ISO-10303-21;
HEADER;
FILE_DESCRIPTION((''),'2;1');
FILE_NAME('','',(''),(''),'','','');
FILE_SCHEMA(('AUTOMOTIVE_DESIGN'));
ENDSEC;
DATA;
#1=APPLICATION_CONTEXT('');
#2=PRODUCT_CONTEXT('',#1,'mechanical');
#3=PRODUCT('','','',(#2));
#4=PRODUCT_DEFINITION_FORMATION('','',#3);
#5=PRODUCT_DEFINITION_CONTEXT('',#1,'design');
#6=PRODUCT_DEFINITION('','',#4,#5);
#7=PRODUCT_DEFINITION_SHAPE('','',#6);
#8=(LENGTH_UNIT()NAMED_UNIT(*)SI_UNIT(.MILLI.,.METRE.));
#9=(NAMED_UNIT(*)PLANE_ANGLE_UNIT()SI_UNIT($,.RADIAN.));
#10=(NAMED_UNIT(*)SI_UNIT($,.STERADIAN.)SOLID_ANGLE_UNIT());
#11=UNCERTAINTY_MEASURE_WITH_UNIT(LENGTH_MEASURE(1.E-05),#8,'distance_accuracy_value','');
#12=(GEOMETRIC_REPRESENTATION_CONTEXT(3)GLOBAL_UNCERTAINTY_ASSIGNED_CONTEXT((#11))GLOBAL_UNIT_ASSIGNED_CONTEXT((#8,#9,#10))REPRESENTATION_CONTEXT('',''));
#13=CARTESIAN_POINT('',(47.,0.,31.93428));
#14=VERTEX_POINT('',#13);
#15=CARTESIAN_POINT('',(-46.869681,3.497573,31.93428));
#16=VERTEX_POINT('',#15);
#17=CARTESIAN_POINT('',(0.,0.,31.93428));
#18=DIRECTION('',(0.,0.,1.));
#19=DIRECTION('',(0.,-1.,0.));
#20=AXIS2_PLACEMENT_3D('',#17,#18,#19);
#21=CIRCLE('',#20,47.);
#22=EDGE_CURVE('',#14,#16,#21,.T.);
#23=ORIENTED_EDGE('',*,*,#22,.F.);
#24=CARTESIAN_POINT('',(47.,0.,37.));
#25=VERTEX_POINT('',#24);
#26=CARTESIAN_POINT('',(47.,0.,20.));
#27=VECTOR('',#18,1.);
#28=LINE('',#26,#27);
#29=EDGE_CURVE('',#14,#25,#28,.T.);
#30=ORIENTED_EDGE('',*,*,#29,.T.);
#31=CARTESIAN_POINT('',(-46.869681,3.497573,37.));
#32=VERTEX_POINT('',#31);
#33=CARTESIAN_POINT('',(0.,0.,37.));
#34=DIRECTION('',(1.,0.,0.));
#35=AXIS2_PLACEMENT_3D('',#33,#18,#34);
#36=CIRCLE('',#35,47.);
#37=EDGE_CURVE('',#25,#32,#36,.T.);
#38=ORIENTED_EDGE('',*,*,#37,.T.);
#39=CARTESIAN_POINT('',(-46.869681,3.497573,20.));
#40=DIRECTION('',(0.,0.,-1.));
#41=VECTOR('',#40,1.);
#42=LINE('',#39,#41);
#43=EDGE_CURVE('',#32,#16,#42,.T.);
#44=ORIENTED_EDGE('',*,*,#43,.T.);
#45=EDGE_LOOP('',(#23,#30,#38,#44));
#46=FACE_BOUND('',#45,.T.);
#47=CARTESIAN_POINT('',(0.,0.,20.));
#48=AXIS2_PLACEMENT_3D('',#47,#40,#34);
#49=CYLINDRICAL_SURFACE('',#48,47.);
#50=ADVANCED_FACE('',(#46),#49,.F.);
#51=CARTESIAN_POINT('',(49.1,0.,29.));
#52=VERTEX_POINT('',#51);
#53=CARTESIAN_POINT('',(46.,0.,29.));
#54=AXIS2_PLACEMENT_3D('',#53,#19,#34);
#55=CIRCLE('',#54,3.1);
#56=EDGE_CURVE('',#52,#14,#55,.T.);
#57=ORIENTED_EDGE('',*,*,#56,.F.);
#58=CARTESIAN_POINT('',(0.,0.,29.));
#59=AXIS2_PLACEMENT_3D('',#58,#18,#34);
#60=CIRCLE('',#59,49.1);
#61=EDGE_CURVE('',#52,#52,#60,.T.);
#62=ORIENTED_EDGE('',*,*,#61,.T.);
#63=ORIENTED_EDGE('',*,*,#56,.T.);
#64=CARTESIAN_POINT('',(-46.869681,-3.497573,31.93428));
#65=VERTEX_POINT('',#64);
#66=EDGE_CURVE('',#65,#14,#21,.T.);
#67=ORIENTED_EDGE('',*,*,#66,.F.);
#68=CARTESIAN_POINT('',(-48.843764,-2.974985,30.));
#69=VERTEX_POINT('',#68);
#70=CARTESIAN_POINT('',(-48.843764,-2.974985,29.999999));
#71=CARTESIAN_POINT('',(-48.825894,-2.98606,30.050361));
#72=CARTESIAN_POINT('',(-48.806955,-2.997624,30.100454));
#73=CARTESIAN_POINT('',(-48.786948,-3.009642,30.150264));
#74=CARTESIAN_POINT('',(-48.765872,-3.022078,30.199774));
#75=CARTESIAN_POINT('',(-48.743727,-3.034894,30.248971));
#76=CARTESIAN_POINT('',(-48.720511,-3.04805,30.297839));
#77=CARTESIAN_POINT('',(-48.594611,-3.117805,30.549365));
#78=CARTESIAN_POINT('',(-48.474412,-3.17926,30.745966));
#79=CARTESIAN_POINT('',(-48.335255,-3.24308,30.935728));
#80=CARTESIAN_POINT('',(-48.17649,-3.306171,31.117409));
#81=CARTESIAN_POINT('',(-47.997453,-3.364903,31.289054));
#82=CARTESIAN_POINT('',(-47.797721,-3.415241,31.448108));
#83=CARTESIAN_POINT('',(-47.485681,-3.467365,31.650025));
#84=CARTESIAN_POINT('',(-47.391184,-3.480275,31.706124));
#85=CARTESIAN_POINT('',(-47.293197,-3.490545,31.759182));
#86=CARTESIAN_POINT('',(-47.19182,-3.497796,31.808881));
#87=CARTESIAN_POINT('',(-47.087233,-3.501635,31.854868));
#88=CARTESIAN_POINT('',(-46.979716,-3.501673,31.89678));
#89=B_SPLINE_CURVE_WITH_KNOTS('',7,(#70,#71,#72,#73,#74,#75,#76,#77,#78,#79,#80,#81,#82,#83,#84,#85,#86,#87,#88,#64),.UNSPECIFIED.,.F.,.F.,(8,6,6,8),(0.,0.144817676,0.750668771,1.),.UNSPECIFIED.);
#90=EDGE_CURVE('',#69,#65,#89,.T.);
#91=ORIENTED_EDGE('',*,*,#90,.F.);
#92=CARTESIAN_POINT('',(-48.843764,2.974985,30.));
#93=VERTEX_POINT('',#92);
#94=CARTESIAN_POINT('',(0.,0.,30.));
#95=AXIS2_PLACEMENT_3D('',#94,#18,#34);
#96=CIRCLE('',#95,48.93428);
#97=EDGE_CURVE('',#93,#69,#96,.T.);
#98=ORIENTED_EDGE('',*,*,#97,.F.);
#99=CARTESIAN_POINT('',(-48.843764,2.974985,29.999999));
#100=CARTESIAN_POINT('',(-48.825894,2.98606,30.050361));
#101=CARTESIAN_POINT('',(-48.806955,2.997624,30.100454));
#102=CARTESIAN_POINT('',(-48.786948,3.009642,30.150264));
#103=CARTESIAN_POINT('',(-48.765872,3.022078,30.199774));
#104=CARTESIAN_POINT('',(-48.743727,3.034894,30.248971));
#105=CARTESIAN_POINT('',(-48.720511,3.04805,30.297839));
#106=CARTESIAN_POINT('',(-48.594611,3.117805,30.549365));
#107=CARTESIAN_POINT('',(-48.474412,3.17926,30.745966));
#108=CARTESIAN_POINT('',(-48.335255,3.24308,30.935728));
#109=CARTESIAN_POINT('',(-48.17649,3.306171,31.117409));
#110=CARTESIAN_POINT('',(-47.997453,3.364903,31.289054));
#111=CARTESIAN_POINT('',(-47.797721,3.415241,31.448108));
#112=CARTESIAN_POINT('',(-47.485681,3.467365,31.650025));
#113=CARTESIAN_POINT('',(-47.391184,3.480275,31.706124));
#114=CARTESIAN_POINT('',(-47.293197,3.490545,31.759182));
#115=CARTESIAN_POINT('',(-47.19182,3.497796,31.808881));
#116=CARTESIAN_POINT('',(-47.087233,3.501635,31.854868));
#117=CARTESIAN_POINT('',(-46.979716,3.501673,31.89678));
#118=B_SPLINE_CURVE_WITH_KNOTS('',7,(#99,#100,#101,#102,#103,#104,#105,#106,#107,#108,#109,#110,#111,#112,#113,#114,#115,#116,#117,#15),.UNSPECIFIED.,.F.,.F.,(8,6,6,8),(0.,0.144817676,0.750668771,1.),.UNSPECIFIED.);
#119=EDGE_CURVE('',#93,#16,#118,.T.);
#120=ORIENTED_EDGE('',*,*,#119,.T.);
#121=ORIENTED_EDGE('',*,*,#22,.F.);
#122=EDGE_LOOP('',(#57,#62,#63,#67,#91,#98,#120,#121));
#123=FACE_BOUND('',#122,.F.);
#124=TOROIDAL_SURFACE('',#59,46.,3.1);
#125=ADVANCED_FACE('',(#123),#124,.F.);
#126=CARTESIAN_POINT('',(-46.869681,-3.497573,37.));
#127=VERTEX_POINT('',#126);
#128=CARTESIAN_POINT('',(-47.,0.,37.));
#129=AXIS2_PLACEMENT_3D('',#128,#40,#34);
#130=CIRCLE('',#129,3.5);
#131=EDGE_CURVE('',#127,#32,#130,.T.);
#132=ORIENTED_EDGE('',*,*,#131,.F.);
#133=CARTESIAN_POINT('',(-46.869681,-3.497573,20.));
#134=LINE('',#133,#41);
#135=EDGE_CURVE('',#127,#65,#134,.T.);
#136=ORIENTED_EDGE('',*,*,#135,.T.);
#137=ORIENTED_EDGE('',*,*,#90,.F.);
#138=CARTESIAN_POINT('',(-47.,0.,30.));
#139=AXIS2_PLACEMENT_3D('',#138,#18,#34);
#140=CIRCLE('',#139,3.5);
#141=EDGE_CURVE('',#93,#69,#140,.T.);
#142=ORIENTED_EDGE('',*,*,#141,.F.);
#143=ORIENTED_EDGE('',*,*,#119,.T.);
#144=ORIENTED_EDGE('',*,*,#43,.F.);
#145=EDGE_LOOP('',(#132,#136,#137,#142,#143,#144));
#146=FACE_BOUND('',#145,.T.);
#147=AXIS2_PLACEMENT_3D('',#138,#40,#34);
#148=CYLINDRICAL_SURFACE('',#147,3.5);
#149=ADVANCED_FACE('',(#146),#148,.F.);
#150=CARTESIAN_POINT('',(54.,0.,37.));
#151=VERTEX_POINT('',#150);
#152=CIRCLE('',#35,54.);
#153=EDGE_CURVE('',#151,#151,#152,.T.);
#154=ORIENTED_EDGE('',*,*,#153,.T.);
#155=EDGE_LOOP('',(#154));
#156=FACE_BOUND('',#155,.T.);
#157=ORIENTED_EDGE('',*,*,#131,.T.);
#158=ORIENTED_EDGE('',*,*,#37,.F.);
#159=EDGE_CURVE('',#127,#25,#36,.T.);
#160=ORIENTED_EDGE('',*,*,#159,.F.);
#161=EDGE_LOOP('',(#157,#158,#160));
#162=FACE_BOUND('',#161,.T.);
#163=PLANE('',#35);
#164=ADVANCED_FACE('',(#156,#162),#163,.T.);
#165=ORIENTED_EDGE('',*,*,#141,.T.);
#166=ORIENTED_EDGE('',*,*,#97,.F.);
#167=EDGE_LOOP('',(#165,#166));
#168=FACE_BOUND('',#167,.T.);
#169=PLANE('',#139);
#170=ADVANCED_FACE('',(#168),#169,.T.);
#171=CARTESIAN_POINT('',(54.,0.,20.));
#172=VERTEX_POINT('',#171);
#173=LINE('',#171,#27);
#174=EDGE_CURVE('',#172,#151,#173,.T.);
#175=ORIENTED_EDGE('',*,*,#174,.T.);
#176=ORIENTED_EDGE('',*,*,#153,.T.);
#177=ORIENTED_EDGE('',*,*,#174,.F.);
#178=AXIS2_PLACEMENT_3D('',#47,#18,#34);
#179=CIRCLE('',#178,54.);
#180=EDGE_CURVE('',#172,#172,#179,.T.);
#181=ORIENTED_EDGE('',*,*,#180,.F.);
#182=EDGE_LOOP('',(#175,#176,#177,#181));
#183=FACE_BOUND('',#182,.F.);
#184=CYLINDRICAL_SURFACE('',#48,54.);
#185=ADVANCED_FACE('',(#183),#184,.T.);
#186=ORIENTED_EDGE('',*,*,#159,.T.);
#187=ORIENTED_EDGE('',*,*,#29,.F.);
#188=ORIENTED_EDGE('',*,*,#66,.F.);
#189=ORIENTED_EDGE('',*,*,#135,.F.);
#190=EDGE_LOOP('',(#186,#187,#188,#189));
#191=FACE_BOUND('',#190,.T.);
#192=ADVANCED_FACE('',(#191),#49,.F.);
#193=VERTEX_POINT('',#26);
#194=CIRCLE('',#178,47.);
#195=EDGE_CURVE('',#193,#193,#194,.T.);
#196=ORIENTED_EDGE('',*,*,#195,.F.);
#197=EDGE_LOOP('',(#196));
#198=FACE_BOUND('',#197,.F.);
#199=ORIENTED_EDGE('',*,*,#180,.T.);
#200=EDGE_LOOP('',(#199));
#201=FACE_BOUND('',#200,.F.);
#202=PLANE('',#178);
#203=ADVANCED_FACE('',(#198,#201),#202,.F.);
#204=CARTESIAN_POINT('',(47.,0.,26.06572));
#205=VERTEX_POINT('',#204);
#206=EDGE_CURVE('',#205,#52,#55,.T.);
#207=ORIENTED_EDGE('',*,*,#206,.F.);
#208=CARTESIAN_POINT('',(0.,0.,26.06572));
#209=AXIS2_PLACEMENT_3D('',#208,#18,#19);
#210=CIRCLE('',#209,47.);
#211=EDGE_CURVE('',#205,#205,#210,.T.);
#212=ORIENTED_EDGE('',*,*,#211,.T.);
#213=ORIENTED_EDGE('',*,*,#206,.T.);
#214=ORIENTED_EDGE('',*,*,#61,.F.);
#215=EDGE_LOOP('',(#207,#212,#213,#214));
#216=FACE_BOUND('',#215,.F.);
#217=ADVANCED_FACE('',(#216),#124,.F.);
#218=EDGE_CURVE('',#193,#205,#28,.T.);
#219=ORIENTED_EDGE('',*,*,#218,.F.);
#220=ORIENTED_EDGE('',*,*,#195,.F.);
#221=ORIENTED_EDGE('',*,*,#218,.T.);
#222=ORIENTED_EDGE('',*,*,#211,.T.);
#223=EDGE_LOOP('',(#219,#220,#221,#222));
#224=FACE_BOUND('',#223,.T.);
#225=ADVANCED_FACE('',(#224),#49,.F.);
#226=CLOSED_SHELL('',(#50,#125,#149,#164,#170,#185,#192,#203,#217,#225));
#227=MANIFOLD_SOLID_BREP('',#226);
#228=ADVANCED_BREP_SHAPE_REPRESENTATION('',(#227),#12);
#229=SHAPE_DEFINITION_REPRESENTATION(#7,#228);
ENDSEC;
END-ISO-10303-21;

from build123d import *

# Parameters (mm, degrees)
CYLINDER016_R               = 1.5
CYLINDER016_DEPTH           = 23
BOX007_W                    = 8
BOX007_H                    = 5.6
BOX007_DEPTH                = 2
COMPOUND024_PLACEMENT_ANGLE = 45
COMPOUND025_PLACEMENT_ANGLE = 90
COMPOUND026_PLACEMENT_ANGLE = 135
COMPOUND027_PLACEMENT_ANGLE = 180
COMPOUND028_PLACEMENT_ANGLE = 225
COMPOUND029_PLACEMENT_ANGLE = 90
COMPOUND030_PLACEMENT_ANGLE = 45
CYLINDER006_R               = 3.5
CYLINDER006_DEPTH           = 10
TORUS001_R                  = 3.1
TUBE002_R                   = 54
TUBE002_R_2                 = 47
TUBE002_DEPTH               = 17


with BuildPart() as v_lec016:
    # Cylinder016 → Cylinder016 (new body)
    with BuildSketch(Plane(origin=(59, 0, -1), x_dir=(1, 0, 0), z_dir=(0, 0, 1))):
        Circle(CYLINDER016_R)
    extrude(amount=CYLINDER016_DEPTH)


with BuildPart() as krychle007:
    # Box007 → Box007 (new body)
    with BuildSketch(Plane(origin=(55, -2.8, 22), x_dir=(1, 0, 0), z_dir=(0, 0, 1))):
        with Locations((4, 2.8)):
            Rectangle(BOX007_W, BOX007_H)
    extrude(amount=BOX007_DEPTH)


with BuildPart() as compound024:
    # Compound024 base: copy of Krychle007
    add(krychle007.part)

    # Compound024: union Válec016
    add(v_lec016.part)


with BuildPart() as compound024_1:
    # Compound024 placement: moved
    add(compound024.part.moved(Location((-6.363961, -6.363961, 0))).rotate(Axis((-6.363961, -6.363961, 0), (0, 0, 1)), COMPOUND024_PLACEMENT_ANGLE))


with BuildPart() as compound025:
    # Compound025 base: copy of Krychle007
    add(krychle007.part)

    # Compound025: union Válec016
    add(v_lec016.part)


with BuildPart() as compound025_1:
    # Compound025 placement: moved
    add(compound025.part.moved(Location((0, -9, 0))).rotate(Axis((0, -9, 0), (0, 0, 1)), COMPOUND025_PLACEMENT_ANGLE))


with BuildPart() as compound026:
    # Compound026 base: copy of Krychle007
    add(krychle007.part)

    # Compound026: union Válec016
    add(v_lec016.part)


with BuildPart() as compound026_1:
    # Compound026 placement: moved
    add(compound026.part.moved(Location((6.363961, -6.363961, 0))).rotate(Axis((6.363961, -6.363961, 0), (0, 0, 1)), COMPOUND026_PLACEMENT_ANGLE))


with BuildPart() as compound027:
    # Compound027 base: copy of Krychle007
    add(krychle007.part)

    # Compound027: union Válec016
    add(v_lec016.part)


with BuildPart() as compound027_1:
    # Compound027 placement: moved
    add(compound027.part.moved(Location((9, 0, 0))).rotate(Axis((9, 0, 0), (0, 0, 1)), COMPOUND027_PLACEMENT_ANGLE))


with BuildPart() as compound028:
    # Compound028 base: copy of Krychle007
    add(krychle007.part)

    # Compound028: union Válec016
    add(v_lec016.part)


with BuildPart() as compound028_1:
    # Compound028 placement: moved
    add(compound028.part.moved(Location((6.363961, 6.363961, 0))).rotate(Axis((6.363961, 6.363961, 0), (0, 0, 1)), COMPOUND028_PLACEMENT_ANGLE))


with BuildPart() as compound029:
    # Compound029 base: copy of Krychle007
    add(krychle007.part)

    # Compound029: union Válec016
    add(v_lec016.part)


with BuildPart() as compound029_1:
    # Compound029 placement: moved
    add(compound029.part.moved(Location((0, 9, 0))).rotate(Axis((0, 9, 0), (0, 0, -1)), COMPOUND029_PLACEMENT_ANGLE))


with BuildPart() as compound030:
    # Compound030 base: copy of Krychle007
    add(krychle007.part)

    # Compound030: union Válec016
    add(v_lec016.part)


with BuildPart() as compound030_1:
    # Compound030 placement: moved
    add(compound030.part.moved(Location((-6.363961, 6.363961, 0))).rotate(Axis((-6.363961, 6.363961, 0), (0, 0, -1)), COMPOUND030_PLACEMENT_ANGLE))


with BuildPart() as compound031:
    # Compound023 base: copy of Krychle007
    add(krychle007.part)

    # Compound023: union Válec016
    add(v_lec016.part)


with BuildPart() as compound031_1:
    # Compound023 placement: moved
    add(compound031.part.moved(Location((-9, 0, 0))))

    # Compound031: union Compound024, Compound025, Compound026, Compound027, Compound028, Compound029, Compound030
    add(compound024_1.part)
    add(compound025_1.part)
    add(compound026_1.part)
    add(compound027_1.part)
    add(compound028_1.part)
    add(compound029_1.part)
    add(compound030_1.part)


with BuildPart() as compound031_2:
    # Compound031 placement: moved
    add(compound031_1.part.moved(Location((0, 200, 0))))


with BuildPart() as v_lec006:
    # Cylinder006 → Cylinder006 (new body)
    with BuildSketch(Plane(origin=(-47, 0, 30), x_dir=(1, 0, 0), z_dir=(0, 0, 1))):
        Circle(CYLINDER006_R)
    extrude(amount=CYLINDER006_DEPTH)


with BuildPart() as anuloid001:
    # Torus001 → Torus001 (revolve)
    with BuildSketch(Plane(origin=(0, 0, 29), x_dir=(1, 0, 0), z_dir=(0, -1, 0))):
        with Locations((46, 0)):
            Circle(TORUS001_R)
    revolve(axis=Axis((0, 0, 29), (0, 0, 1)))


with BuildPart() as cut015:
    # Tube002 → Tube002 (new body)
    with BuildSketch(Plane.XY.offset(20)):
        Circle(TUBE002_R)
        Circle(TUBE002_R_2, mode=Mode.SUBTRACT)
    extrude(amount=TUBE002_DEPTH)

    # Cut009: cut Anuloid001
    add(anuloid001.part, mode=Mode.SUBTRACT)

    # Cut010: cut Válec006
    add(v_lec006.part, mode=Mode.SUBTRACT)

    # Cut015: cut Compound031
    add(compound031_2.part, mode=Mode.SUBTRACT)


solid = cut015.part
